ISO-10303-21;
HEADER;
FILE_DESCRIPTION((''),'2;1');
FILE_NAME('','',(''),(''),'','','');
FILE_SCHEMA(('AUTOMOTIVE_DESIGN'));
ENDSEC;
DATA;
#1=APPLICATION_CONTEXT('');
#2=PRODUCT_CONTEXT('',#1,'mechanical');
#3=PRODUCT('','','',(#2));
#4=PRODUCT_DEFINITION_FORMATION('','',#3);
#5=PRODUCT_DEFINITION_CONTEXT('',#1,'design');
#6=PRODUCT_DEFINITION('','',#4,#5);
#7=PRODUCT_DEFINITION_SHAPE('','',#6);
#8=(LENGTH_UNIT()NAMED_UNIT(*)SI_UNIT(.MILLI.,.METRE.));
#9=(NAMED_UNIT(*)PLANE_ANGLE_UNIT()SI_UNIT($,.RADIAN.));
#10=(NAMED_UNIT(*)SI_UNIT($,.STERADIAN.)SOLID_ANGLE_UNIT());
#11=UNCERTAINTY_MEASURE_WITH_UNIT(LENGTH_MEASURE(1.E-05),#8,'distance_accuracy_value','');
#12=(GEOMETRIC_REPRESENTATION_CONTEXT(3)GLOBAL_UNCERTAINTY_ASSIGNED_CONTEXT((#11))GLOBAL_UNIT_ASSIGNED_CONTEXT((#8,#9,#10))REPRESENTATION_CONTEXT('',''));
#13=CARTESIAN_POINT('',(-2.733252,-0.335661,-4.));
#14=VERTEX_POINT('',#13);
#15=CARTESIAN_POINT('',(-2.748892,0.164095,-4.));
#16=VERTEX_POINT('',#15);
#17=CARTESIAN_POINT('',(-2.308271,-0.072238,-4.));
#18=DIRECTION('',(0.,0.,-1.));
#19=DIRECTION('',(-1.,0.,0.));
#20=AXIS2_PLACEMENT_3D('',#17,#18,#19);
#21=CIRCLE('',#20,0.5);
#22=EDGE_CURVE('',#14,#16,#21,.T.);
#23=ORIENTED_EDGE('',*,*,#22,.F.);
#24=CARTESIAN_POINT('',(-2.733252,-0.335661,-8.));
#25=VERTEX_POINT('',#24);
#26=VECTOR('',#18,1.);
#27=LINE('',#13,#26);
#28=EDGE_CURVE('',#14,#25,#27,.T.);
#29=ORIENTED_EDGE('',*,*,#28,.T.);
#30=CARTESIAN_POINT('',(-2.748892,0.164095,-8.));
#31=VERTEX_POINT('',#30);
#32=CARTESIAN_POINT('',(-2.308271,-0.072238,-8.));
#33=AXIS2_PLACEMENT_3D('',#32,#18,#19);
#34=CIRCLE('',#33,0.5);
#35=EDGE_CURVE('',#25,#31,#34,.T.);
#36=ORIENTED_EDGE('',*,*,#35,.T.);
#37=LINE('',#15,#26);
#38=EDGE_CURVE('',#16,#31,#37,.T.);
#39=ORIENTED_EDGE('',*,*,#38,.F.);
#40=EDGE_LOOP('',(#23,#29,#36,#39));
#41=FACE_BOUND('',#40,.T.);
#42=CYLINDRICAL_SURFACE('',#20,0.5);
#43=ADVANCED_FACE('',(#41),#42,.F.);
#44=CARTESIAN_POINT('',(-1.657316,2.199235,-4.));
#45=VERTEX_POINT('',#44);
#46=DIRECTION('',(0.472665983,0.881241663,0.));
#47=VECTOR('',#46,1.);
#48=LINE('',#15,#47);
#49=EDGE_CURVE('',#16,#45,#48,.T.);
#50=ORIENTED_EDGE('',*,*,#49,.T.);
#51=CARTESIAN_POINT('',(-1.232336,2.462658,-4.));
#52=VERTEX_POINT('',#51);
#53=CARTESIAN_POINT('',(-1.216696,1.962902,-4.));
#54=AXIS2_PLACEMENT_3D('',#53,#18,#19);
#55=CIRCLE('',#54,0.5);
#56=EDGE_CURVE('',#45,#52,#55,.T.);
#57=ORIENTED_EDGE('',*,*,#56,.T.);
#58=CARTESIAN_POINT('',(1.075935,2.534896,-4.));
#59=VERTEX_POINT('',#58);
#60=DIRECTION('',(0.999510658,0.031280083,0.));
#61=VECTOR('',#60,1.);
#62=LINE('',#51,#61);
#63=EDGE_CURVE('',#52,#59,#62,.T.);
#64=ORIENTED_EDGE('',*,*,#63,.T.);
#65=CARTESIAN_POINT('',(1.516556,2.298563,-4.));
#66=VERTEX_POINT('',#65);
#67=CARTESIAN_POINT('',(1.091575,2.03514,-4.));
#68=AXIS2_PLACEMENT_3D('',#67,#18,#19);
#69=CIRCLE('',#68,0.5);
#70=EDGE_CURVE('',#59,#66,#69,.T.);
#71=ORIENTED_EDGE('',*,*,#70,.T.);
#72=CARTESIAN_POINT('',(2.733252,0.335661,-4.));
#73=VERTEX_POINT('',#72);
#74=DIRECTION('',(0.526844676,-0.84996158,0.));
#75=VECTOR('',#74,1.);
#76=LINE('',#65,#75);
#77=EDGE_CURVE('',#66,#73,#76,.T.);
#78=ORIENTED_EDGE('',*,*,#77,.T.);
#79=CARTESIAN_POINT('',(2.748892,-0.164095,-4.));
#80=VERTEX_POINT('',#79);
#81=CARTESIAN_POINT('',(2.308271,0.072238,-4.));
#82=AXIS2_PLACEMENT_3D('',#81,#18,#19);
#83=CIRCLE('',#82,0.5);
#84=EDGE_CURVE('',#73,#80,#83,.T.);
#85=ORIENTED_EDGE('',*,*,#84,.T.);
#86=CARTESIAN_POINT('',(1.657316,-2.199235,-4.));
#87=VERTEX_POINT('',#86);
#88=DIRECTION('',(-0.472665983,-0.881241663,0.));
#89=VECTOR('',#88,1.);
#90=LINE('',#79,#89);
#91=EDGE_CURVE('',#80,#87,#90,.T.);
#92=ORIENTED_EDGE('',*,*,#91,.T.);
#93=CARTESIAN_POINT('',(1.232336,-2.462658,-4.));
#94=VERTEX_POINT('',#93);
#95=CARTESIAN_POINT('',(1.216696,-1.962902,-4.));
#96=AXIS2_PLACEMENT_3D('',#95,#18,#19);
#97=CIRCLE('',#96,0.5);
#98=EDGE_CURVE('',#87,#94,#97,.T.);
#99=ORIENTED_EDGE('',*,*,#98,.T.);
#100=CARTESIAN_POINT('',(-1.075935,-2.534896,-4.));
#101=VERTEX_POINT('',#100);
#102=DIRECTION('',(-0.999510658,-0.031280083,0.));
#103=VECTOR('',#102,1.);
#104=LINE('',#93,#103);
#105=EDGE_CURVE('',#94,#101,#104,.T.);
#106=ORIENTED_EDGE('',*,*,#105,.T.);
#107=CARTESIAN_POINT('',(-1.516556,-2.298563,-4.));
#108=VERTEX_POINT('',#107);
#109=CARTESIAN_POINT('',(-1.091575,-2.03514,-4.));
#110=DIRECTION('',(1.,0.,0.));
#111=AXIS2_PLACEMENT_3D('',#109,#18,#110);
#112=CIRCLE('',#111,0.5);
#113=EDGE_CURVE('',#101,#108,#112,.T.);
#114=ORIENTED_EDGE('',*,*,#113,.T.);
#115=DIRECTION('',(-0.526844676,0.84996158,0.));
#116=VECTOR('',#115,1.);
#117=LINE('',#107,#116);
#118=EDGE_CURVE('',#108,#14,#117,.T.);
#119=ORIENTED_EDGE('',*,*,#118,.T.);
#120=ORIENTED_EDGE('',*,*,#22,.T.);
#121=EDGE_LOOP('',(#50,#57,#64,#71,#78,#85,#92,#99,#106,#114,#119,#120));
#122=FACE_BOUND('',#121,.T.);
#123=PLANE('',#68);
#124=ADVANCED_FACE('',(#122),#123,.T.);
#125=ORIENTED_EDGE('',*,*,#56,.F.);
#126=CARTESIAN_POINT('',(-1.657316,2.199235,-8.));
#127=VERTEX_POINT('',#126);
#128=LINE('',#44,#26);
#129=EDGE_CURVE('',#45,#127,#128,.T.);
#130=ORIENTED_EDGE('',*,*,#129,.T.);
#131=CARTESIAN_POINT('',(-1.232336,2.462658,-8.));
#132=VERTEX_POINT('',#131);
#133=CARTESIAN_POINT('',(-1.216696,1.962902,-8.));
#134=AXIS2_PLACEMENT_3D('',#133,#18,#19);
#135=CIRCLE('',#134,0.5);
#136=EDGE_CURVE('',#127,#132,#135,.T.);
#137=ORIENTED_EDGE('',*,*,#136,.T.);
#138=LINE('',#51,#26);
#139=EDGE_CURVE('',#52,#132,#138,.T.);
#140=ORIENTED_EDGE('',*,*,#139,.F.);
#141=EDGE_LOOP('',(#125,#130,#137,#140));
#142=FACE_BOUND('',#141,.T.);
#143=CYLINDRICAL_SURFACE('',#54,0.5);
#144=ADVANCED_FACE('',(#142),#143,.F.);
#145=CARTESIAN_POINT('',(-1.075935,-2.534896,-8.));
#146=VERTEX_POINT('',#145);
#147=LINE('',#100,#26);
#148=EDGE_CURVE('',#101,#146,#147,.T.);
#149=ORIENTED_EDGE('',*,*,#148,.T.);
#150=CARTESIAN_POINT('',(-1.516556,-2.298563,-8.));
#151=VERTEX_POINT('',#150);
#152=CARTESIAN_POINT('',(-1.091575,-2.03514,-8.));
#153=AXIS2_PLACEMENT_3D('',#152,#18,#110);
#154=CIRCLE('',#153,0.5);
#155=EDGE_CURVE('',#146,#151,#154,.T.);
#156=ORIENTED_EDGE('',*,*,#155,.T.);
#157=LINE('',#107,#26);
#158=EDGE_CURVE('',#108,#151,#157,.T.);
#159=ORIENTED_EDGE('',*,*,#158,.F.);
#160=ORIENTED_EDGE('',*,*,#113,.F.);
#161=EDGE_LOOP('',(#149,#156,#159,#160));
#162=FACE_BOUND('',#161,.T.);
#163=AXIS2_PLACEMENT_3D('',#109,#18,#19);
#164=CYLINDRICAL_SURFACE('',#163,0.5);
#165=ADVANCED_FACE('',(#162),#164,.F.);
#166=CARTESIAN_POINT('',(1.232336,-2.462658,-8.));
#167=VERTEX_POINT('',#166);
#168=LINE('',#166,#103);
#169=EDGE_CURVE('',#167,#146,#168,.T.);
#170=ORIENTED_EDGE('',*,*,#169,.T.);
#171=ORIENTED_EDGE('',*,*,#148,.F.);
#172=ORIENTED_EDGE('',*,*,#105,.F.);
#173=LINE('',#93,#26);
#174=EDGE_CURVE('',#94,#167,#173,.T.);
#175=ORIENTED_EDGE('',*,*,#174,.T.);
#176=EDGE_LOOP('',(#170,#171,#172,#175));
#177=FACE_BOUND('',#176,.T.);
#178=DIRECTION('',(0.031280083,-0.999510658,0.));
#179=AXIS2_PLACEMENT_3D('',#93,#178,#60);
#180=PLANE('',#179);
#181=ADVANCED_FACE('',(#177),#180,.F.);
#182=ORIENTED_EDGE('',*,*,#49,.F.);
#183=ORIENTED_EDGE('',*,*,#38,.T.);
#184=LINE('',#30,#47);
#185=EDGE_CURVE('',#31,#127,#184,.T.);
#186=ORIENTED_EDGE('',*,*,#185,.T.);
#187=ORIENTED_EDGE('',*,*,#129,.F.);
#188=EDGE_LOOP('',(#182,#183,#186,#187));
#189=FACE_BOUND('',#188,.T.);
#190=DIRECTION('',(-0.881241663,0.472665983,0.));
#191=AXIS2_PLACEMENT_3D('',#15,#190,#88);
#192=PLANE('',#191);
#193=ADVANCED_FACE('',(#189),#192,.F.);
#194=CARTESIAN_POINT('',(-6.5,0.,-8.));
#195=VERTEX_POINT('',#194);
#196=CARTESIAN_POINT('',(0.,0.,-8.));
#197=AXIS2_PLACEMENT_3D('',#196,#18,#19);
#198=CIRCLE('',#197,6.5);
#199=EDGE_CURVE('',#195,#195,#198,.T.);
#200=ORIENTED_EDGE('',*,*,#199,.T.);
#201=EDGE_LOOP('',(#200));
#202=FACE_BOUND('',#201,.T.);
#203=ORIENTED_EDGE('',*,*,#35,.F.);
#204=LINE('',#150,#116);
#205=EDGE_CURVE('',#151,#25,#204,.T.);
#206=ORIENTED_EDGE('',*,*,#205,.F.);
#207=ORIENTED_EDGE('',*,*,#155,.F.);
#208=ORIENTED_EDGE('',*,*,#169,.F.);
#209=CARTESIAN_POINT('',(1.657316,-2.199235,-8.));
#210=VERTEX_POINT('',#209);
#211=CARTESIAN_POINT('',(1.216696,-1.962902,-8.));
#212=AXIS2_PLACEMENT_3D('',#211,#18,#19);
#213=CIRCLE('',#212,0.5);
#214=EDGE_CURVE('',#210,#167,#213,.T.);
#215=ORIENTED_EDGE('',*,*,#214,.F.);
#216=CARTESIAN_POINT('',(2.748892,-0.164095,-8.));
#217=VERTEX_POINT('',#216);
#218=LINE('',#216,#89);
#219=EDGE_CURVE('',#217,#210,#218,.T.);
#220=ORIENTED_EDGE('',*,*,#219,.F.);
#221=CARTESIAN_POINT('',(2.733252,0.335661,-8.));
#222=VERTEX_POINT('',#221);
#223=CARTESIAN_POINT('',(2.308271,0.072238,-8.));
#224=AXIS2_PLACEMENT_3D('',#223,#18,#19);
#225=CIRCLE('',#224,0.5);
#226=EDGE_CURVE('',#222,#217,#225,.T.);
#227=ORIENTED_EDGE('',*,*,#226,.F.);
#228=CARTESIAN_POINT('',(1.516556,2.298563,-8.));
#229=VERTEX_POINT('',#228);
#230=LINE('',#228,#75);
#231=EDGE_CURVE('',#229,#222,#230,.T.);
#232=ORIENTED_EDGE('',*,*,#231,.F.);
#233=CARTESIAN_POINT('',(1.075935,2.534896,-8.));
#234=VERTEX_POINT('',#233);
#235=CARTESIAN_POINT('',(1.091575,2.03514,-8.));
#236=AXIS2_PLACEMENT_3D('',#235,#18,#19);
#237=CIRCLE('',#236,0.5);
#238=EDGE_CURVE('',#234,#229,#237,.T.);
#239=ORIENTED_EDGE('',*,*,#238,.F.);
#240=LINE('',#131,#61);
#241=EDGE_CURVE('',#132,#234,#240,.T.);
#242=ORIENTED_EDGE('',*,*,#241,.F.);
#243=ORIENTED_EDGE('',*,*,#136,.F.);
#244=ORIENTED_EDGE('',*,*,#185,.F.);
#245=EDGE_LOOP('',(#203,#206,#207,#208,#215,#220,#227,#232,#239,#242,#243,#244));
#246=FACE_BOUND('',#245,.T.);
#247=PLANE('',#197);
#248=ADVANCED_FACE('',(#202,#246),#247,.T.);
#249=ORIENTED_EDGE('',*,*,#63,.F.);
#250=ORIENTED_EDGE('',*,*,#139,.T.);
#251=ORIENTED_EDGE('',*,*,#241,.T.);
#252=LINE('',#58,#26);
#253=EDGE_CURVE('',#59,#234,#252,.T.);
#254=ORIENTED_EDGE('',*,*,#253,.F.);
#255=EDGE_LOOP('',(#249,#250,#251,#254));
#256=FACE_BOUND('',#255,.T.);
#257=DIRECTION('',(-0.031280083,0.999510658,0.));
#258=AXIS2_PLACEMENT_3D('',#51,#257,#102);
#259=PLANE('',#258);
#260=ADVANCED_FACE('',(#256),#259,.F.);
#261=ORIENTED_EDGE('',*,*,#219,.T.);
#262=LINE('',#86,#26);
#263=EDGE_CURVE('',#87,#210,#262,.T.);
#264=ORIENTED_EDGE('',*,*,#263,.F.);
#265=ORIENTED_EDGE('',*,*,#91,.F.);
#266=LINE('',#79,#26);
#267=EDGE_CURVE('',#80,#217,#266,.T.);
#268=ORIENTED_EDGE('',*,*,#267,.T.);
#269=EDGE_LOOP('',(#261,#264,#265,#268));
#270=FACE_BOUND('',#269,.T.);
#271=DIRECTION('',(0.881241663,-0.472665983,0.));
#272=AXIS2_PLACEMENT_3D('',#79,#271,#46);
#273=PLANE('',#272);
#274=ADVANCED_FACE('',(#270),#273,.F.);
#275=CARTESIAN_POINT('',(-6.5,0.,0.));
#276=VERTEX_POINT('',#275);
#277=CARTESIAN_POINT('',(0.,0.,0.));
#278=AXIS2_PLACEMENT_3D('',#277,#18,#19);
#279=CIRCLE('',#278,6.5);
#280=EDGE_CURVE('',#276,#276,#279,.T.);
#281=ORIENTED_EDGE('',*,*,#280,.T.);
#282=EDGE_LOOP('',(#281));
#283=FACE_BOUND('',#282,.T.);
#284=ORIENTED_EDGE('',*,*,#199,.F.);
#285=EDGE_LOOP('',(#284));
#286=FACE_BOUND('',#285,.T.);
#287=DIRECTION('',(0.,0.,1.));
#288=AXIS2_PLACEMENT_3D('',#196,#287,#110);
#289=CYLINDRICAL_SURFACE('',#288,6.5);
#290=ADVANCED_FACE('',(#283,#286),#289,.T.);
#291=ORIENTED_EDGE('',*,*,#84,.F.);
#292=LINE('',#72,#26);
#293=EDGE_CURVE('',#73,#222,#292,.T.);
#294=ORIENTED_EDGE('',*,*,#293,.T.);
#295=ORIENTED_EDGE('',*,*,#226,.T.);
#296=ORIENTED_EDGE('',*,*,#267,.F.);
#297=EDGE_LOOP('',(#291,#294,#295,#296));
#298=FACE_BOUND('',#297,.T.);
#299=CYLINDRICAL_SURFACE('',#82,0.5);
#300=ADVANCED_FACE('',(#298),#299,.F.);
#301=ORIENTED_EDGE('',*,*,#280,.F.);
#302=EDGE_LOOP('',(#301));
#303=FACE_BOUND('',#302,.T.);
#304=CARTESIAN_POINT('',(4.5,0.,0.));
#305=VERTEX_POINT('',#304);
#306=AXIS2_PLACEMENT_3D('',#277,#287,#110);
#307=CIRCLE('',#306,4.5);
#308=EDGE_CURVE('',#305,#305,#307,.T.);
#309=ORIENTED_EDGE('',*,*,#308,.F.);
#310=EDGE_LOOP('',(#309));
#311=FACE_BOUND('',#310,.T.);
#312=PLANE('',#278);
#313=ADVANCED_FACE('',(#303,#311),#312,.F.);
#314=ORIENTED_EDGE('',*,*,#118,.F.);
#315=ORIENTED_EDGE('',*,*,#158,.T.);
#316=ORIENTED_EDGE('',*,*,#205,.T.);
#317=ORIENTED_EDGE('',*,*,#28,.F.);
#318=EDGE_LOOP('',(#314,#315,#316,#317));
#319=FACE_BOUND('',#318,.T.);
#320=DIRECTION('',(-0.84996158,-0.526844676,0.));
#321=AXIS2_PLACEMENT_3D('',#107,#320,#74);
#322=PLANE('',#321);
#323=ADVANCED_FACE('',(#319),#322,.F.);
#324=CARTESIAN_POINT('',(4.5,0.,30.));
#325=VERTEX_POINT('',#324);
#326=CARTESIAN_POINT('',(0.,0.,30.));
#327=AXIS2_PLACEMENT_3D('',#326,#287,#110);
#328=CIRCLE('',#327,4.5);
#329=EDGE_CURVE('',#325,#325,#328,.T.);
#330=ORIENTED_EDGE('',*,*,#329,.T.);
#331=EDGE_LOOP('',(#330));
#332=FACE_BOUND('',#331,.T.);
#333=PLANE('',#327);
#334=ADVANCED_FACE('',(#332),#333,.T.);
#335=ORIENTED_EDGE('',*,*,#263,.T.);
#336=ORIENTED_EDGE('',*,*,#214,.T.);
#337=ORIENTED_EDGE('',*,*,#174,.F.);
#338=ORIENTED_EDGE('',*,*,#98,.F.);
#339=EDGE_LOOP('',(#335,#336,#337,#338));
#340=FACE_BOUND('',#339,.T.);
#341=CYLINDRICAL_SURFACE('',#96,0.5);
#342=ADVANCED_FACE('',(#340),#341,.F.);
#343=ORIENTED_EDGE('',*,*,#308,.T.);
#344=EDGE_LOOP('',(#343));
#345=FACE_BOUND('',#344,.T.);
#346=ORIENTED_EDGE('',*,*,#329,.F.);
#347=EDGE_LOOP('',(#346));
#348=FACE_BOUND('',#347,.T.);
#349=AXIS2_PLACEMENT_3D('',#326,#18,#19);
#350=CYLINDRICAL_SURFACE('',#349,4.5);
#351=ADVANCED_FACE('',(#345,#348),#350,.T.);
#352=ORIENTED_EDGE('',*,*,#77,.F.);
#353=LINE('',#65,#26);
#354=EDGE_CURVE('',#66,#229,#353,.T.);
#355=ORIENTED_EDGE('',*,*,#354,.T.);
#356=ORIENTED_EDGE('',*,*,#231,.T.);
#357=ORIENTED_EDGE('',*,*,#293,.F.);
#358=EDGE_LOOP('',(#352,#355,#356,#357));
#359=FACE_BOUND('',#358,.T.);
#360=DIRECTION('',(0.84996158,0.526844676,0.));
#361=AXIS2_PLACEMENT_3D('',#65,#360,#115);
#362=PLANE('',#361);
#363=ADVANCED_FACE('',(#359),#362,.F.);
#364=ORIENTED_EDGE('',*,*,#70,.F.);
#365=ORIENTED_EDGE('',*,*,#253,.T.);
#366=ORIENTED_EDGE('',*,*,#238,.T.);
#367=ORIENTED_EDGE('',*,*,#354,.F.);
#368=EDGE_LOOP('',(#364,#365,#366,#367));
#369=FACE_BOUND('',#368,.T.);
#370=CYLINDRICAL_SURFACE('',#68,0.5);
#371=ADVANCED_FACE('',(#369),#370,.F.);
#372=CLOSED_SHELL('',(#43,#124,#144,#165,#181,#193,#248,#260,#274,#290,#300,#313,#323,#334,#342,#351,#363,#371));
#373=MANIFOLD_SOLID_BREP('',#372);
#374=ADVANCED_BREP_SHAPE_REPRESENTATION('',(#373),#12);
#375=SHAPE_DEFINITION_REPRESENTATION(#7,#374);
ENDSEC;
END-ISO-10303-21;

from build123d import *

# Parameters (mm, degrees)
SKETCH_1_R          = 4.5
EXTRUDE_1_DEPTH     = 30
SKETCH_2_R          = 6.5
EXTRUDE_2_DEPTH     = 8
CUT_EXTRUDE_1_DEPTH = 4


with BuildPart() as part:
    # 스케치1 → 보스-돌출1 (new body)
    with BuildSketch(Plane.XY):
        Circle(SKETCH_1_R)
    extrude(amount=EXTRUDE_1_DEPTH)

    # 스케치2 → 보스-돌출2 (add)
    with BuildSketch(Plane(origin=(0, 0, 0), x_dir=(-1, 0, 0), z_dir=(0, 0, -1))):
        Circle(SKETCH_2_R)
    extrude(amount=EXTRUDE_2_DEPTH)

    # 스케치3 → 컷-돌출1 (cut)
    with BuildSketch(Plane(origin=(0, 0, -8), x_dir=(-1, 0, 0), z_dir=(0, 0, -1))):
        with BuildLine():
            Line((1.51655612, -2.298562783), (2.733251781, -0.335660595))
            ThreePointArc((2.733251781, -0.335660595), (2.80802632, -0.087878298), (2.748891822, 0.164094734))
            Line((2.748891822, 0.164094734), (1.657316493, 2.19923518))
            ThreePointArc((1.657316493, 2.19923518), (1.480117999, 2.387882979), (1.232335703, 2.462657518))
            Line((1.232335703, 2.462657518), (-1.075935288, 2.534895775))
            ThreePointArc((-1.075935288, 2.534895775), (-1.327908321, 2.475761277), (-1.51655612, 2.298562783))
            Line((-1.51655612, 2.298562783), (-2.733251781, 0.335660595))
            ThreePointArc((-2.733251781, 0.335660595), (-2.80802632, 0.087878298), (-2.748891822, -0.164094734))
            Line((-2.748891822, -0.164094734), (-1.657316493, -2.19923518))
            ThreePointArc((-1.657316493, -2.19923518), (-1.480117999, -2.387882979), (-1.232335703, -2.462657518))
            Line((-1.232335703, -2.462657518), (1.075935288, -2.534895775))
            ThreePointArc((1.075935288, -2.534895775), (1.327908321, -2.475761277), (1.51655612, -2.298562783))
        make_face()
    extrude(amount=-CUT_EXTRUDE_1_DEPTH, mode=Mode.SUBTRACT)


solid = part.part
